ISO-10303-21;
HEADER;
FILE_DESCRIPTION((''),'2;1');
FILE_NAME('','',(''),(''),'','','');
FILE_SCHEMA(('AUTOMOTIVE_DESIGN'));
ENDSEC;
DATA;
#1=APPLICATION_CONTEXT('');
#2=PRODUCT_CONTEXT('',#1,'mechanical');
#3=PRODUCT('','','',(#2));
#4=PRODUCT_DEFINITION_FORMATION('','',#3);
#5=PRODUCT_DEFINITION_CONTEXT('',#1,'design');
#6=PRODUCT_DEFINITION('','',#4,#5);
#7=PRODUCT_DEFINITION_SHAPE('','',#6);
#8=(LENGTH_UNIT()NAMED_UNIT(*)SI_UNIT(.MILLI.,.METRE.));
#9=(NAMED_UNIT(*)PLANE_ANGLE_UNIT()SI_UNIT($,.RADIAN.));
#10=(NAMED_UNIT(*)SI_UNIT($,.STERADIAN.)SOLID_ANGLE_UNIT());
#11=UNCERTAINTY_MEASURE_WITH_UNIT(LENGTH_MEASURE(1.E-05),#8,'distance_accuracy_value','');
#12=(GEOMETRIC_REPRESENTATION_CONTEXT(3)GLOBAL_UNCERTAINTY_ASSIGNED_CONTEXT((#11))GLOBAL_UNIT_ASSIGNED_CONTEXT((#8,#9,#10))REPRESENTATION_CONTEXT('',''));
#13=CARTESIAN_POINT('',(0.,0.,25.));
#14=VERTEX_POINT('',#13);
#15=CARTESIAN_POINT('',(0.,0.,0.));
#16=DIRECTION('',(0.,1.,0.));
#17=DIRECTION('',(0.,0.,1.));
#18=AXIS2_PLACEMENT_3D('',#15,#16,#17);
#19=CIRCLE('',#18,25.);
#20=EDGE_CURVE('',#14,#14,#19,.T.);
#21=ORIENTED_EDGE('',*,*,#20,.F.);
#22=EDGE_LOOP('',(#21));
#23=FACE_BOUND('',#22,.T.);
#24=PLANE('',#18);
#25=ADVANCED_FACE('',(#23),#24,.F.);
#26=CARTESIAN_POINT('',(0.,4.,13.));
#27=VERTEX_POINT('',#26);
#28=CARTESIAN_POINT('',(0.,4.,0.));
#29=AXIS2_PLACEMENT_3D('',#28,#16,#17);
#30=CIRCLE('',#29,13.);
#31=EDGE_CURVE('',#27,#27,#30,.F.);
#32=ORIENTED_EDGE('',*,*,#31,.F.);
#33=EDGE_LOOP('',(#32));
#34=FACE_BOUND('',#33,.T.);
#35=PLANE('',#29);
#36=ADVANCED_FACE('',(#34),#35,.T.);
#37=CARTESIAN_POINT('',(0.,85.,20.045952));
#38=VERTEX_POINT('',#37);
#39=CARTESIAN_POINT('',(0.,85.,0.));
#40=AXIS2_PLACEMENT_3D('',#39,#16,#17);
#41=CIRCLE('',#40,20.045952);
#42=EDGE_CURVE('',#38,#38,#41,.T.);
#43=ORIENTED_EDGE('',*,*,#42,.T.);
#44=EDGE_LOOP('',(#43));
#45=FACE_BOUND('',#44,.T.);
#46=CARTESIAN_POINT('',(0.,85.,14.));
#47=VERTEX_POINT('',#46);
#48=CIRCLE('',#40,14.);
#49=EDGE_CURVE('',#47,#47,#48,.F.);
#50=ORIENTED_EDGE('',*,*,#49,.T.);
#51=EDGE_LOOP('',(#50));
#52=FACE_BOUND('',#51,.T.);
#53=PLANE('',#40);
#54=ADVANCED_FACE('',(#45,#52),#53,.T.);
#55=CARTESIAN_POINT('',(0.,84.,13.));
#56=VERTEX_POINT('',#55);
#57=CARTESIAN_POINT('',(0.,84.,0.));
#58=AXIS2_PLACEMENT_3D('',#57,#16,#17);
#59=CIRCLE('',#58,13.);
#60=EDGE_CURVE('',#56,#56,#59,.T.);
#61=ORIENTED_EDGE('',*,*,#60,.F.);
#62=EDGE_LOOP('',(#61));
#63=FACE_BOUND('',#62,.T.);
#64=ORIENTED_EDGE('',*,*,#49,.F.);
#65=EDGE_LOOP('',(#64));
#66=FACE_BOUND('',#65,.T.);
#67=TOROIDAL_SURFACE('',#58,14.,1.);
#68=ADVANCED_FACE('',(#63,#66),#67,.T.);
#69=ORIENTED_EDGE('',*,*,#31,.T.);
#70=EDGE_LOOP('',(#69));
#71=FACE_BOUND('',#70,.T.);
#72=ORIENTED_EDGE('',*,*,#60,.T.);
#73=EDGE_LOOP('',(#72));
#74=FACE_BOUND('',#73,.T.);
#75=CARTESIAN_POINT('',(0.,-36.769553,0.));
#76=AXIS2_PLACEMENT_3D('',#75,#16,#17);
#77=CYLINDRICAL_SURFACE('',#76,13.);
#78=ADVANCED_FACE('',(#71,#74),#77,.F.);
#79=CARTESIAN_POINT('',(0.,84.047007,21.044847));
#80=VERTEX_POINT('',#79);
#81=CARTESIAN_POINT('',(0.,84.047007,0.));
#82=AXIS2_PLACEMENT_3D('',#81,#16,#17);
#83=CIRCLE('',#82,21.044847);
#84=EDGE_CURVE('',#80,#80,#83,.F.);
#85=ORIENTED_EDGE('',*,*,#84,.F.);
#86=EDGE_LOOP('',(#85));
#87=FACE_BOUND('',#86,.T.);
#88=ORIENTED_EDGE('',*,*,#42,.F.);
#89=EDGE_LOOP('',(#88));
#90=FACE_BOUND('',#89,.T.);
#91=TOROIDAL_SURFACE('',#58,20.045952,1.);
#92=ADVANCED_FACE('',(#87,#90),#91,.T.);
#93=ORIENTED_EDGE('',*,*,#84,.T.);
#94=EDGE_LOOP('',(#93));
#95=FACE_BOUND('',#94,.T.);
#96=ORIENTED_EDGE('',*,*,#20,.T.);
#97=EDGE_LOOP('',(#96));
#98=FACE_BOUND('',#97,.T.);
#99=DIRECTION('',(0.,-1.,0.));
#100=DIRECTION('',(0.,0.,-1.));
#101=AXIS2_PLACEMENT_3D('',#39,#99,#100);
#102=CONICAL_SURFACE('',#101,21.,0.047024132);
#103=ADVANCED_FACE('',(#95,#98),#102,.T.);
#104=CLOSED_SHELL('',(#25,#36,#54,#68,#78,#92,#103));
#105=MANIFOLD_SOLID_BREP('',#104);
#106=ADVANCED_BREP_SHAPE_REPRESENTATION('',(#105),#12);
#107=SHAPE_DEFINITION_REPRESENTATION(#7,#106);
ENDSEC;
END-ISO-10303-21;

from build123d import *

# Parameters (mm, degrees)
SKETCH3_R          = 21
SKETCH1_3_R        = 25
SKETCH4_R          = 13
CUT_EXTRUDE2_DEPTH = 81
FILLET2_R          = 1


with BuildPart() as part:
    # Sketch3 → Loft1 section 0
    with BuildSketch(Plane(origin=(0, 85, 0), x_dir=(1, 0, 0), z_dir=(0, 1, 0))):
        Circle(SKETCH3_R)
    # Sketch1<3> → Loft1 section 1
    with BuildSketch(Plane(origin=(0, 0, 0), x_dir=(1, 0, 0), z_dir=(0, 1, 0))):
        Circle(SKETCH1_3_R)
    loft()

    # Sketch4 → Cut-Extrude2 (cut)
    with BuildSketch(Plane(origin=(0, 85, 0), x_dir=(1, 0, 0), z_dir=(0, 1, 0))):
        Circle(SKETCH4_R)
    extrude(amount=-CUT_EXTRUDE2_DEPTH, mode=Mode.SUBTRACT)

    # Fillet2
    fillet2_edges = [part.edges().sort_by_distance(p)[0] for p in [
        (-21, 85, 0),
        (-13, 85, 0),
    ]]
    fillet(fillet2_edges, radius=FILLET2_R)


solid = part.part
